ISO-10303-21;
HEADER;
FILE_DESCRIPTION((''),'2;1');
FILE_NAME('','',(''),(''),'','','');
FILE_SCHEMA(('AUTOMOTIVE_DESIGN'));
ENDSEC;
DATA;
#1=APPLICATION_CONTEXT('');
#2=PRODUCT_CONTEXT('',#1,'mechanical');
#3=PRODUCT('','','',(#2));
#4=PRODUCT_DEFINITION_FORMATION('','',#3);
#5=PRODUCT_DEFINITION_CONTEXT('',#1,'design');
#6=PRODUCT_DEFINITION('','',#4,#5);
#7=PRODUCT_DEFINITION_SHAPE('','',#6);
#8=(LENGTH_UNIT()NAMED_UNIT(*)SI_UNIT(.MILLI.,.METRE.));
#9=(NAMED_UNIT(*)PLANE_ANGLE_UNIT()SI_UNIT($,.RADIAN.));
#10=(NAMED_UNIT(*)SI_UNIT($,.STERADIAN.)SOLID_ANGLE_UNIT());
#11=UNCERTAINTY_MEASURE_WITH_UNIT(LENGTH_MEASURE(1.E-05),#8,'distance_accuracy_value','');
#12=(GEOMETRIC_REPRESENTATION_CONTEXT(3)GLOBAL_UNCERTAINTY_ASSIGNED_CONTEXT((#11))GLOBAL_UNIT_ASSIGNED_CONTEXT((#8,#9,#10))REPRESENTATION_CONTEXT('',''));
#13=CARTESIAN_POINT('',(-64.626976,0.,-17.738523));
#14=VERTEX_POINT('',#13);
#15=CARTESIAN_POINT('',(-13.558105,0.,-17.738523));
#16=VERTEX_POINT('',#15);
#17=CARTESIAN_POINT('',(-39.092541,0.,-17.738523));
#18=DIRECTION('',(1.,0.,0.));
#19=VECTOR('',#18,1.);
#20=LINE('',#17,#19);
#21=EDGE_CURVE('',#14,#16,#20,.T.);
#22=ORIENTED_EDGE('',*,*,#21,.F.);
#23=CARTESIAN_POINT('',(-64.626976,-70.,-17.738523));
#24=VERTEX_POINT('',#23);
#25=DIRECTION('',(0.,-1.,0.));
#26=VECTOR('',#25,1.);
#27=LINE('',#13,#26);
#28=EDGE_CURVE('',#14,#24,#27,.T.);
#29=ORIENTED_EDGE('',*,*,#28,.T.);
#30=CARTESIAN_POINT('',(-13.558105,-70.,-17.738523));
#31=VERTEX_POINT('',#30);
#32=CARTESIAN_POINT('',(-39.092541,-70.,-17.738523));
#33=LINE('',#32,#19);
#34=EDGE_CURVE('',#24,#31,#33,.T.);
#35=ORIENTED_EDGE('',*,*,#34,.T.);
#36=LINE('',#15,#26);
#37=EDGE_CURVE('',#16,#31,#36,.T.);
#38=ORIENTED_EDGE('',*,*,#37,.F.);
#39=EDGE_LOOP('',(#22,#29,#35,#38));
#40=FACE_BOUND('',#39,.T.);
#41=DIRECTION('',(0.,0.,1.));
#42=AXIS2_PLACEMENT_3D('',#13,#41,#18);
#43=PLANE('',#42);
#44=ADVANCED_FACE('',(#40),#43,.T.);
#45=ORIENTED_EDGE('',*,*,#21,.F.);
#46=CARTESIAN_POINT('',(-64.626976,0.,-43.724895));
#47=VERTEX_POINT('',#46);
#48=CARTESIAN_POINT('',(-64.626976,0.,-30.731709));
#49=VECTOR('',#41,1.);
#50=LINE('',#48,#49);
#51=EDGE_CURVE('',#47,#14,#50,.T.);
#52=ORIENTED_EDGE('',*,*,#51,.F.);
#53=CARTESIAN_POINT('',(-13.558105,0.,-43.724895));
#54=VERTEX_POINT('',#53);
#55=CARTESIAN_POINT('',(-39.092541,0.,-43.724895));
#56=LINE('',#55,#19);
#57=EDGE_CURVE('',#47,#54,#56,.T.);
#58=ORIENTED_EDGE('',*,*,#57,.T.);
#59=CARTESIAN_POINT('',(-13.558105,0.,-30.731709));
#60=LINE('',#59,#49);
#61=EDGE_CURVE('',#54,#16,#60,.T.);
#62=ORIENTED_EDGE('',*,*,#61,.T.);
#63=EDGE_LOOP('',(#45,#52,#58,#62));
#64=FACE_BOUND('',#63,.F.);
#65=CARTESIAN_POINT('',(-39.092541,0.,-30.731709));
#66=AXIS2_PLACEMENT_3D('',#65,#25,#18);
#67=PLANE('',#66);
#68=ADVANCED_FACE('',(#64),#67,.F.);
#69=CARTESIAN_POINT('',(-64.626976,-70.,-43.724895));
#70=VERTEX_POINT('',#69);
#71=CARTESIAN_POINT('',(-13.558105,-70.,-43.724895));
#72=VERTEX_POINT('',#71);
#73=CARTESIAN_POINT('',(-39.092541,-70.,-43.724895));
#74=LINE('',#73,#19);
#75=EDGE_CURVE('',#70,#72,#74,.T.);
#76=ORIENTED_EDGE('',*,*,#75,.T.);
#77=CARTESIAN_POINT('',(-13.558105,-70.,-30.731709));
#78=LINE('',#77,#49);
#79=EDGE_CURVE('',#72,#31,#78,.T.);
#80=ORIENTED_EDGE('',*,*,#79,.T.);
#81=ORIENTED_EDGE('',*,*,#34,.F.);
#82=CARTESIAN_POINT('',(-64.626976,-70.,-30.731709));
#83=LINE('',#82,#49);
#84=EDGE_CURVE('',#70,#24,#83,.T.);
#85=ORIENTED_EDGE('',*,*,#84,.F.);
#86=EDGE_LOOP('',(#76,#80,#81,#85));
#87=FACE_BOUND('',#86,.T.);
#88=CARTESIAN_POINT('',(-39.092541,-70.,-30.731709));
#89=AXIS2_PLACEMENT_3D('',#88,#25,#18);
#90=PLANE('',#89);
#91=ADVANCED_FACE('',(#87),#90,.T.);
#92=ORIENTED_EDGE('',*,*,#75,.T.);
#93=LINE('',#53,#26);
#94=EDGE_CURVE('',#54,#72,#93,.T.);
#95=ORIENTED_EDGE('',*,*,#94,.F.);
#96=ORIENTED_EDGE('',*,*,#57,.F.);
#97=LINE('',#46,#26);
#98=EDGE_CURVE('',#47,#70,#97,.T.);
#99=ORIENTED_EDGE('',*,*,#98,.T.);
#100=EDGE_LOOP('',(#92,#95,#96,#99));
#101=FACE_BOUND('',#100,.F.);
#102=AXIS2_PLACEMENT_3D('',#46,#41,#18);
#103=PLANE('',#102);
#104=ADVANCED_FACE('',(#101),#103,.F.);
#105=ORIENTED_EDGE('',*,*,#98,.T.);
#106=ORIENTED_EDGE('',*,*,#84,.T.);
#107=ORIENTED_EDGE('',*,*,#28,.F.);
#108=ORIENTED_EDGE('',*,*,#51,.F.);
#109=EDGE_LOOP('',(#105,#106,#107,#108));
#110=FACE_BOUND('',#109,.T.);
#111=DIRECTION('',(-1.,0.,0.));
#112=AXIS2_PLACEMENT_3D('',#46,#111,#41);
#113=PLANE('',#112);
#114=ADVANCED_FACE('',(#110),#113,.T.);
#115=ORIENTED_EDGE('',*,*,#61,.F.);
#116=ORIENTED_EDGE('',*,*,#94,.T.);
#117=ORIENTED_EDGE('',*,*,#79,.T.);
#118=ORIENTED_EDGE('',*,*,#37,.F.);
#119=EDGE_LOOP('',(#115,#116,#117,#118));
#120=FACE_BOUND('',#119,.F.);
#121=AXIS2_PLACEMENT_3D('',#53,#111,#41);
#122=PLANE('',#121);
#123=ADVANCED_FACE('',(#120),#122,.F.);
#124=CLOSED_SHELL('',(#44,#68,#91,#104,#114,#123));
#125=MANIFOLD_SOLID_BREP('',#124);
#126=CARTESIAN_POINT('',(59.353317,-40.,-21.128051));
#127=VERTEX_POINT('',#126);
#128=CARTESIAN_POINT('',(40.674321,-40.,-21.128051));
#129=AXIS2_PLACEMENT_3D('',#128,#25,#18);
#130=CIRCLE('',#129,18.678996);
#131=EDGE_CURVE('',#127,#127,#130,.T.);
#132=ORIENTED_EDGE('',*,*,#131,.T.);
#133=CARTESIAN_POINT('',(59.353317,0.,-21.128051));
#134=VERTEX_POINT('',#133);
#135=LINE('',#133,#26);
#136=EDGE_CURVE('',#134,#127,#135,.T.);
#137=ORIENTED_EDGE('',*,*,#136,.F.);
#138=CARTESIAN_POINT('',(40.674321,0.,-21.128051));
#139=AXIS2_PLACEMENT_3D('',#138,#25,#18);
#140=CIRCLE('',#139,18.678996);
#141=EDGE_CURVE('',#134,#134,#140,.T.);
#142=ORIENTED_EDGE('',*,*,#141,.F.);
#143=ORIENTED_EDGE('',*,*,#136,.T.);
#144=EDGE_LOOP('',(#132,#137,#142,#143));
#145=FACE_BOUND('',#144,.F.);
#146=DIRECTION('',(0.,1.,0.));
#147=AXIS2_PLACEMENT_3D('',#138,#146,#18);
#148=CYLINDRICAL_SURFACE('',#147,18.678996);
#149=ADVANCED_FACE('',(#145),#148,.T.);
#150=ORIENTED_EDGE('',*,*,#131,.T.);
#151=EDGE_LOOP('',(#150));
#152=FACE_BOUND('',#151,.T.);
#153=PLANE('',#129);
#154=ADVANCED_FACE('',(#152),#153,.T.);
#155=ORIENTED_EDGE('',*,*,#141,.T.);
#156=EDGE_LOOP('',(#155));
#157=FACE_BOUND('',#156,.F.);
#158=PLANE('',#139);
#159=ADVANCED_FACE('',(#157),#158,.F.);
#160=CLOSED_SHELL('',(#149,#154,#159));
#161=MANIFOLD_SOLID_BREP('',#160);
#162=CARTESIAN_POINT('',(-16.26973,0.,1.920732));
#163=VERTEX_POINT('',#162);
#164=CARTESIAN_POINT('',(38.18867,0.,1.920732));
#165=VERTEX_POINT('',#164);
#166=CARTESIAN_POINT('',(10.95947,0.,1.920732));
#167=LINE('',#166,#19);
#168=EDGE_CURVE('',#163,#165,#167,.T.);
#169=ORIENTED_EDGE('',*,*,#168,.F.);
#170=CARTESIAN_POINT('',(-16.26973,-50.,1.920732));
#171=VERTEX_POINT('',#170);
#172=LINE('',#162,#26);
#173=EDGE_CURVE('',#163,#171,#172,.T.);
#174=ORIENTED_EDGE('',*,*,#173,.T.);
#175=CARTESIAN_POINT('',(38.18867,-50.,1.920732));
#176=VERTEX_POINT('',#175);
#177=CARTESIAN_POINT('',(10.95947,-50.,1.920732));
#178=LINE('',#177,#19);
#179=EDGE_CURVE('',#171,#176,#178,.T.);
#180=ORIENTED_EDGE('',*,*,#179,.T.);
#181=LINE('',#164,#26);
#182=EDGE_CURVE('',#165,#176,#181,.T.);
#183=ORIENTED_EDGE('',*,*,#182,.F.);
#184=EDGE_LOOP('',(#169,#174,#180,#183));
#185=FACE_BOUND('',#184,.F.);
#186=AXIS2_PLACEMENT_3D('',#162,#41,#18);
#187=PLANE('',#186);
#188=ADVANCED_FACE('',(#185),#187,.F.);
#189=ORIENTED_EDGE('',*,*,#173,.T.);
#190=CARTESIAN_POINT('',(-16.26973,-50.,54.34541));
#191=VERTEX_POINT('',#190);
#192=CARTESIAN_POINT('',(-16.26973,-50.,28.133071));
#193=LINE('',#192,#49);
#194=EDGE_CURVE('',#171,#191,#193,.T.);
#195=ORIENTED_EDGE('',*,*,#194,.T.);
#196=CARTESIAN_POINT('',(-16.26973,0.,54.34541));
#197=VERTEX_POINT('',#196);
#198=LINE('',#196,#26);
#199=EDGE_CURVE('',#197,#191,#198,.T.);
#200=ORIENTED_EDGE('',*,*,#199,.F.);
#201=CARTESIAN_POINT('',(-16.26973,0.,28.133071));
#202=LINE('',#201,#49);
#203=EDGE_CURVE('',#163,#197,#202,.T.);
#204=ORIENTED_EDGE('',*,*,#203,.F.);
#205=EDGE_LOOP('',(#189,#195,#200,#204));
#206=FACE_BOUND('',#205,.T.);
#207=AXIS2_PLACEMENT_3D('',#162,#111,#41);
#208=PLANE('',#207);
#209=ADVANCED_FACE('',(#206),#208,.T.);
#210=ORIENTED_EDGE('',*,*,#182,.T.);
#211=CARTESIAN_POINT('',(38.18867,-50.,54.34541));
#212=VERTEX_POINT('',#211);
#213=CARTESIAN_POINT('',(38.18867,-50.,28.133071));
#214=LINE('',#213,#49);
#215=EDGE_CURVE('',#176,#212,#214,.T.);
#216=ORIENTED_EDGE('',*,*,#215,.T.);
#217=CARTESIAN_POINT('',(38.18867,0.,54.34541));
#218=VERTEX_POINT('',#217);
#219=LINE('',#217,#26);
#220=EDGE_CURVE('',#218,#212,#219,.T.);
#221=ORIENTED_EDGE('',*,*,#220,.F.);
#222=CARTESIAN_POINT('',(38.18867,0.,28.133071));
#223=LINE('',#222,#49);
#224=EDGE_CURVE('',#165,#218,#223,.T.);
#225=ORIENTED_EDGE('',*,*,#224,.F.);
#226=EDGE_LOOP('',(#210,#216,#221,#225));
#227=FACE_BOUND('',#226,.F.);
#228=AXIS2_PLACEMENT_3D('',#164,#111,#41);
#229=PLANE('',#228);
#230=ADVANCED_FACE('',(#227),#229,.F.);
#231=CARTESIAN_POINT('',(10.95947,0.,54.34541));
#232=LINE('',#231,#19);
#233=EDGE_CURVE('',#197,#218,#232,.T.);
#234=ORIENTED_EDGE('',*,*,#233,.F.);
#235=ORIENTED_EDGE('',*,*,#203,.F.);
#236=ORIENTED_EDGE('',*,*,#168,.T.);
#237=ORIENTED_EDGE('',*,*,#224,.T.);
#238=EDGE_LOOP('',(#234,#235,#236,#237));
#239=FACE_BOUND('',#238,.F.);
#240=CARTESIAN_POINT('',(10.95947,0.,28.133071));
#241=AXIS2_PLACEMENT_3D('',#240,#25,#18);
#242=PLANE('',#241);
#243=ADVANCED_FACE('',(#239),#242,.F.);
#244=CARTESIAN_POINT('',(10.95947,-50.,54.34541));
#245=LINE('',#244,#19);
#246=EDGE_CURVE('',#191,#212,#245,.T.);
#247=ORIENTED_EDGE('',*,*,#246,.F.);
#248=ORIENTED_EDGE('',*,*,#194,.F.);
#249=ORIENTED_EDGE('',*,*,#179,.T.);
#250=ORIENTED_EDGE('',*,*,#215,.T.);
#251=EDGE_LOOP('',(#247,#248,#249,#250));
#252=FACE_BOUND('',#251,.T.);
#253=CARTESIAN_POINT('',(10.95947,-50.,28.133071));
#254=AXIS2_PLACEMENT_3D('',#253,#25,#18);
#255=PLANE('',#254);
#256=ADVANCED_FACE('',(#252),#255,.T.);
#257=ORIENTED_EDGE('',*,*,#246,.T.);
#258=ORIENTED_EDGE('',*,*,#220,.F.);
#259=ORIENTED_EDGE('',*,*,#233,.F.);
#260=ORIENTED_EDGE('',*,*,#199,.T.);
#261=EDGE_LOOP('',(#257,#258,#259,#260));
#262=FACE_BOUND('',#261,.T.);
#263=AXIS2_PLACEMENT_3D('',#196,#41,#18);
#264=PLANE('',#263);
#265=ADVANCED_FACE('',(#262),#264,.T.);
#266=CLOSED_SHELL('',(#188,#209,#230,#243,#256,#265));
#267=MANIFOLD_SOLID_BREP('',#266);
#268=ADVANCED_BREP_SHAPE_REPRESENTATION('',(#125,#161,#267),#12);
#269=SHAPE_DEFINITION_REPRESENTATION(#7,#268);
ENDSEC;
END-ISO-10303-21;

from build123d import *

# Parameters (mm, degrees)
F0_W     = 54.458399
F0_H     = 52.424678
F1_DEPTH = 50
F2_W     = 51.068871
F2_H     = 25.986372
F3_DEPTH = 70
F4_R     = 18.678996
F5_DEPTH = 40


with BuildPart() as f1:
    # F0 (on Front) → F1 (new body)
    with BuildSketch(Plane.XZ):
        with Locations((10.95947, 28.133071)):
            Rectangle(F0_W, F0_H)
    extrude(amount=F1_DEPTH)


with BuildPart() as f3:
    # F2 (on Front) → F3 (new body)
    with BuildSketch(Plane.XZ):
        with Locations((-39.092541, -30.731709)):
            Rectangle(F2_W, F2_H)
    extrude(amount=F3_DEPTH)


with BuildPart() as f5:
    # F4 (on Front) → F5 (new body)
    with BuildSketch(Plane.XZ):
        with Locations((40.674321, -21.128051)):
            Circle(F4_R)
    extrude(amount=F5_DEPTH)


solid = Compound([f1.part, f3.part, f5.part])
